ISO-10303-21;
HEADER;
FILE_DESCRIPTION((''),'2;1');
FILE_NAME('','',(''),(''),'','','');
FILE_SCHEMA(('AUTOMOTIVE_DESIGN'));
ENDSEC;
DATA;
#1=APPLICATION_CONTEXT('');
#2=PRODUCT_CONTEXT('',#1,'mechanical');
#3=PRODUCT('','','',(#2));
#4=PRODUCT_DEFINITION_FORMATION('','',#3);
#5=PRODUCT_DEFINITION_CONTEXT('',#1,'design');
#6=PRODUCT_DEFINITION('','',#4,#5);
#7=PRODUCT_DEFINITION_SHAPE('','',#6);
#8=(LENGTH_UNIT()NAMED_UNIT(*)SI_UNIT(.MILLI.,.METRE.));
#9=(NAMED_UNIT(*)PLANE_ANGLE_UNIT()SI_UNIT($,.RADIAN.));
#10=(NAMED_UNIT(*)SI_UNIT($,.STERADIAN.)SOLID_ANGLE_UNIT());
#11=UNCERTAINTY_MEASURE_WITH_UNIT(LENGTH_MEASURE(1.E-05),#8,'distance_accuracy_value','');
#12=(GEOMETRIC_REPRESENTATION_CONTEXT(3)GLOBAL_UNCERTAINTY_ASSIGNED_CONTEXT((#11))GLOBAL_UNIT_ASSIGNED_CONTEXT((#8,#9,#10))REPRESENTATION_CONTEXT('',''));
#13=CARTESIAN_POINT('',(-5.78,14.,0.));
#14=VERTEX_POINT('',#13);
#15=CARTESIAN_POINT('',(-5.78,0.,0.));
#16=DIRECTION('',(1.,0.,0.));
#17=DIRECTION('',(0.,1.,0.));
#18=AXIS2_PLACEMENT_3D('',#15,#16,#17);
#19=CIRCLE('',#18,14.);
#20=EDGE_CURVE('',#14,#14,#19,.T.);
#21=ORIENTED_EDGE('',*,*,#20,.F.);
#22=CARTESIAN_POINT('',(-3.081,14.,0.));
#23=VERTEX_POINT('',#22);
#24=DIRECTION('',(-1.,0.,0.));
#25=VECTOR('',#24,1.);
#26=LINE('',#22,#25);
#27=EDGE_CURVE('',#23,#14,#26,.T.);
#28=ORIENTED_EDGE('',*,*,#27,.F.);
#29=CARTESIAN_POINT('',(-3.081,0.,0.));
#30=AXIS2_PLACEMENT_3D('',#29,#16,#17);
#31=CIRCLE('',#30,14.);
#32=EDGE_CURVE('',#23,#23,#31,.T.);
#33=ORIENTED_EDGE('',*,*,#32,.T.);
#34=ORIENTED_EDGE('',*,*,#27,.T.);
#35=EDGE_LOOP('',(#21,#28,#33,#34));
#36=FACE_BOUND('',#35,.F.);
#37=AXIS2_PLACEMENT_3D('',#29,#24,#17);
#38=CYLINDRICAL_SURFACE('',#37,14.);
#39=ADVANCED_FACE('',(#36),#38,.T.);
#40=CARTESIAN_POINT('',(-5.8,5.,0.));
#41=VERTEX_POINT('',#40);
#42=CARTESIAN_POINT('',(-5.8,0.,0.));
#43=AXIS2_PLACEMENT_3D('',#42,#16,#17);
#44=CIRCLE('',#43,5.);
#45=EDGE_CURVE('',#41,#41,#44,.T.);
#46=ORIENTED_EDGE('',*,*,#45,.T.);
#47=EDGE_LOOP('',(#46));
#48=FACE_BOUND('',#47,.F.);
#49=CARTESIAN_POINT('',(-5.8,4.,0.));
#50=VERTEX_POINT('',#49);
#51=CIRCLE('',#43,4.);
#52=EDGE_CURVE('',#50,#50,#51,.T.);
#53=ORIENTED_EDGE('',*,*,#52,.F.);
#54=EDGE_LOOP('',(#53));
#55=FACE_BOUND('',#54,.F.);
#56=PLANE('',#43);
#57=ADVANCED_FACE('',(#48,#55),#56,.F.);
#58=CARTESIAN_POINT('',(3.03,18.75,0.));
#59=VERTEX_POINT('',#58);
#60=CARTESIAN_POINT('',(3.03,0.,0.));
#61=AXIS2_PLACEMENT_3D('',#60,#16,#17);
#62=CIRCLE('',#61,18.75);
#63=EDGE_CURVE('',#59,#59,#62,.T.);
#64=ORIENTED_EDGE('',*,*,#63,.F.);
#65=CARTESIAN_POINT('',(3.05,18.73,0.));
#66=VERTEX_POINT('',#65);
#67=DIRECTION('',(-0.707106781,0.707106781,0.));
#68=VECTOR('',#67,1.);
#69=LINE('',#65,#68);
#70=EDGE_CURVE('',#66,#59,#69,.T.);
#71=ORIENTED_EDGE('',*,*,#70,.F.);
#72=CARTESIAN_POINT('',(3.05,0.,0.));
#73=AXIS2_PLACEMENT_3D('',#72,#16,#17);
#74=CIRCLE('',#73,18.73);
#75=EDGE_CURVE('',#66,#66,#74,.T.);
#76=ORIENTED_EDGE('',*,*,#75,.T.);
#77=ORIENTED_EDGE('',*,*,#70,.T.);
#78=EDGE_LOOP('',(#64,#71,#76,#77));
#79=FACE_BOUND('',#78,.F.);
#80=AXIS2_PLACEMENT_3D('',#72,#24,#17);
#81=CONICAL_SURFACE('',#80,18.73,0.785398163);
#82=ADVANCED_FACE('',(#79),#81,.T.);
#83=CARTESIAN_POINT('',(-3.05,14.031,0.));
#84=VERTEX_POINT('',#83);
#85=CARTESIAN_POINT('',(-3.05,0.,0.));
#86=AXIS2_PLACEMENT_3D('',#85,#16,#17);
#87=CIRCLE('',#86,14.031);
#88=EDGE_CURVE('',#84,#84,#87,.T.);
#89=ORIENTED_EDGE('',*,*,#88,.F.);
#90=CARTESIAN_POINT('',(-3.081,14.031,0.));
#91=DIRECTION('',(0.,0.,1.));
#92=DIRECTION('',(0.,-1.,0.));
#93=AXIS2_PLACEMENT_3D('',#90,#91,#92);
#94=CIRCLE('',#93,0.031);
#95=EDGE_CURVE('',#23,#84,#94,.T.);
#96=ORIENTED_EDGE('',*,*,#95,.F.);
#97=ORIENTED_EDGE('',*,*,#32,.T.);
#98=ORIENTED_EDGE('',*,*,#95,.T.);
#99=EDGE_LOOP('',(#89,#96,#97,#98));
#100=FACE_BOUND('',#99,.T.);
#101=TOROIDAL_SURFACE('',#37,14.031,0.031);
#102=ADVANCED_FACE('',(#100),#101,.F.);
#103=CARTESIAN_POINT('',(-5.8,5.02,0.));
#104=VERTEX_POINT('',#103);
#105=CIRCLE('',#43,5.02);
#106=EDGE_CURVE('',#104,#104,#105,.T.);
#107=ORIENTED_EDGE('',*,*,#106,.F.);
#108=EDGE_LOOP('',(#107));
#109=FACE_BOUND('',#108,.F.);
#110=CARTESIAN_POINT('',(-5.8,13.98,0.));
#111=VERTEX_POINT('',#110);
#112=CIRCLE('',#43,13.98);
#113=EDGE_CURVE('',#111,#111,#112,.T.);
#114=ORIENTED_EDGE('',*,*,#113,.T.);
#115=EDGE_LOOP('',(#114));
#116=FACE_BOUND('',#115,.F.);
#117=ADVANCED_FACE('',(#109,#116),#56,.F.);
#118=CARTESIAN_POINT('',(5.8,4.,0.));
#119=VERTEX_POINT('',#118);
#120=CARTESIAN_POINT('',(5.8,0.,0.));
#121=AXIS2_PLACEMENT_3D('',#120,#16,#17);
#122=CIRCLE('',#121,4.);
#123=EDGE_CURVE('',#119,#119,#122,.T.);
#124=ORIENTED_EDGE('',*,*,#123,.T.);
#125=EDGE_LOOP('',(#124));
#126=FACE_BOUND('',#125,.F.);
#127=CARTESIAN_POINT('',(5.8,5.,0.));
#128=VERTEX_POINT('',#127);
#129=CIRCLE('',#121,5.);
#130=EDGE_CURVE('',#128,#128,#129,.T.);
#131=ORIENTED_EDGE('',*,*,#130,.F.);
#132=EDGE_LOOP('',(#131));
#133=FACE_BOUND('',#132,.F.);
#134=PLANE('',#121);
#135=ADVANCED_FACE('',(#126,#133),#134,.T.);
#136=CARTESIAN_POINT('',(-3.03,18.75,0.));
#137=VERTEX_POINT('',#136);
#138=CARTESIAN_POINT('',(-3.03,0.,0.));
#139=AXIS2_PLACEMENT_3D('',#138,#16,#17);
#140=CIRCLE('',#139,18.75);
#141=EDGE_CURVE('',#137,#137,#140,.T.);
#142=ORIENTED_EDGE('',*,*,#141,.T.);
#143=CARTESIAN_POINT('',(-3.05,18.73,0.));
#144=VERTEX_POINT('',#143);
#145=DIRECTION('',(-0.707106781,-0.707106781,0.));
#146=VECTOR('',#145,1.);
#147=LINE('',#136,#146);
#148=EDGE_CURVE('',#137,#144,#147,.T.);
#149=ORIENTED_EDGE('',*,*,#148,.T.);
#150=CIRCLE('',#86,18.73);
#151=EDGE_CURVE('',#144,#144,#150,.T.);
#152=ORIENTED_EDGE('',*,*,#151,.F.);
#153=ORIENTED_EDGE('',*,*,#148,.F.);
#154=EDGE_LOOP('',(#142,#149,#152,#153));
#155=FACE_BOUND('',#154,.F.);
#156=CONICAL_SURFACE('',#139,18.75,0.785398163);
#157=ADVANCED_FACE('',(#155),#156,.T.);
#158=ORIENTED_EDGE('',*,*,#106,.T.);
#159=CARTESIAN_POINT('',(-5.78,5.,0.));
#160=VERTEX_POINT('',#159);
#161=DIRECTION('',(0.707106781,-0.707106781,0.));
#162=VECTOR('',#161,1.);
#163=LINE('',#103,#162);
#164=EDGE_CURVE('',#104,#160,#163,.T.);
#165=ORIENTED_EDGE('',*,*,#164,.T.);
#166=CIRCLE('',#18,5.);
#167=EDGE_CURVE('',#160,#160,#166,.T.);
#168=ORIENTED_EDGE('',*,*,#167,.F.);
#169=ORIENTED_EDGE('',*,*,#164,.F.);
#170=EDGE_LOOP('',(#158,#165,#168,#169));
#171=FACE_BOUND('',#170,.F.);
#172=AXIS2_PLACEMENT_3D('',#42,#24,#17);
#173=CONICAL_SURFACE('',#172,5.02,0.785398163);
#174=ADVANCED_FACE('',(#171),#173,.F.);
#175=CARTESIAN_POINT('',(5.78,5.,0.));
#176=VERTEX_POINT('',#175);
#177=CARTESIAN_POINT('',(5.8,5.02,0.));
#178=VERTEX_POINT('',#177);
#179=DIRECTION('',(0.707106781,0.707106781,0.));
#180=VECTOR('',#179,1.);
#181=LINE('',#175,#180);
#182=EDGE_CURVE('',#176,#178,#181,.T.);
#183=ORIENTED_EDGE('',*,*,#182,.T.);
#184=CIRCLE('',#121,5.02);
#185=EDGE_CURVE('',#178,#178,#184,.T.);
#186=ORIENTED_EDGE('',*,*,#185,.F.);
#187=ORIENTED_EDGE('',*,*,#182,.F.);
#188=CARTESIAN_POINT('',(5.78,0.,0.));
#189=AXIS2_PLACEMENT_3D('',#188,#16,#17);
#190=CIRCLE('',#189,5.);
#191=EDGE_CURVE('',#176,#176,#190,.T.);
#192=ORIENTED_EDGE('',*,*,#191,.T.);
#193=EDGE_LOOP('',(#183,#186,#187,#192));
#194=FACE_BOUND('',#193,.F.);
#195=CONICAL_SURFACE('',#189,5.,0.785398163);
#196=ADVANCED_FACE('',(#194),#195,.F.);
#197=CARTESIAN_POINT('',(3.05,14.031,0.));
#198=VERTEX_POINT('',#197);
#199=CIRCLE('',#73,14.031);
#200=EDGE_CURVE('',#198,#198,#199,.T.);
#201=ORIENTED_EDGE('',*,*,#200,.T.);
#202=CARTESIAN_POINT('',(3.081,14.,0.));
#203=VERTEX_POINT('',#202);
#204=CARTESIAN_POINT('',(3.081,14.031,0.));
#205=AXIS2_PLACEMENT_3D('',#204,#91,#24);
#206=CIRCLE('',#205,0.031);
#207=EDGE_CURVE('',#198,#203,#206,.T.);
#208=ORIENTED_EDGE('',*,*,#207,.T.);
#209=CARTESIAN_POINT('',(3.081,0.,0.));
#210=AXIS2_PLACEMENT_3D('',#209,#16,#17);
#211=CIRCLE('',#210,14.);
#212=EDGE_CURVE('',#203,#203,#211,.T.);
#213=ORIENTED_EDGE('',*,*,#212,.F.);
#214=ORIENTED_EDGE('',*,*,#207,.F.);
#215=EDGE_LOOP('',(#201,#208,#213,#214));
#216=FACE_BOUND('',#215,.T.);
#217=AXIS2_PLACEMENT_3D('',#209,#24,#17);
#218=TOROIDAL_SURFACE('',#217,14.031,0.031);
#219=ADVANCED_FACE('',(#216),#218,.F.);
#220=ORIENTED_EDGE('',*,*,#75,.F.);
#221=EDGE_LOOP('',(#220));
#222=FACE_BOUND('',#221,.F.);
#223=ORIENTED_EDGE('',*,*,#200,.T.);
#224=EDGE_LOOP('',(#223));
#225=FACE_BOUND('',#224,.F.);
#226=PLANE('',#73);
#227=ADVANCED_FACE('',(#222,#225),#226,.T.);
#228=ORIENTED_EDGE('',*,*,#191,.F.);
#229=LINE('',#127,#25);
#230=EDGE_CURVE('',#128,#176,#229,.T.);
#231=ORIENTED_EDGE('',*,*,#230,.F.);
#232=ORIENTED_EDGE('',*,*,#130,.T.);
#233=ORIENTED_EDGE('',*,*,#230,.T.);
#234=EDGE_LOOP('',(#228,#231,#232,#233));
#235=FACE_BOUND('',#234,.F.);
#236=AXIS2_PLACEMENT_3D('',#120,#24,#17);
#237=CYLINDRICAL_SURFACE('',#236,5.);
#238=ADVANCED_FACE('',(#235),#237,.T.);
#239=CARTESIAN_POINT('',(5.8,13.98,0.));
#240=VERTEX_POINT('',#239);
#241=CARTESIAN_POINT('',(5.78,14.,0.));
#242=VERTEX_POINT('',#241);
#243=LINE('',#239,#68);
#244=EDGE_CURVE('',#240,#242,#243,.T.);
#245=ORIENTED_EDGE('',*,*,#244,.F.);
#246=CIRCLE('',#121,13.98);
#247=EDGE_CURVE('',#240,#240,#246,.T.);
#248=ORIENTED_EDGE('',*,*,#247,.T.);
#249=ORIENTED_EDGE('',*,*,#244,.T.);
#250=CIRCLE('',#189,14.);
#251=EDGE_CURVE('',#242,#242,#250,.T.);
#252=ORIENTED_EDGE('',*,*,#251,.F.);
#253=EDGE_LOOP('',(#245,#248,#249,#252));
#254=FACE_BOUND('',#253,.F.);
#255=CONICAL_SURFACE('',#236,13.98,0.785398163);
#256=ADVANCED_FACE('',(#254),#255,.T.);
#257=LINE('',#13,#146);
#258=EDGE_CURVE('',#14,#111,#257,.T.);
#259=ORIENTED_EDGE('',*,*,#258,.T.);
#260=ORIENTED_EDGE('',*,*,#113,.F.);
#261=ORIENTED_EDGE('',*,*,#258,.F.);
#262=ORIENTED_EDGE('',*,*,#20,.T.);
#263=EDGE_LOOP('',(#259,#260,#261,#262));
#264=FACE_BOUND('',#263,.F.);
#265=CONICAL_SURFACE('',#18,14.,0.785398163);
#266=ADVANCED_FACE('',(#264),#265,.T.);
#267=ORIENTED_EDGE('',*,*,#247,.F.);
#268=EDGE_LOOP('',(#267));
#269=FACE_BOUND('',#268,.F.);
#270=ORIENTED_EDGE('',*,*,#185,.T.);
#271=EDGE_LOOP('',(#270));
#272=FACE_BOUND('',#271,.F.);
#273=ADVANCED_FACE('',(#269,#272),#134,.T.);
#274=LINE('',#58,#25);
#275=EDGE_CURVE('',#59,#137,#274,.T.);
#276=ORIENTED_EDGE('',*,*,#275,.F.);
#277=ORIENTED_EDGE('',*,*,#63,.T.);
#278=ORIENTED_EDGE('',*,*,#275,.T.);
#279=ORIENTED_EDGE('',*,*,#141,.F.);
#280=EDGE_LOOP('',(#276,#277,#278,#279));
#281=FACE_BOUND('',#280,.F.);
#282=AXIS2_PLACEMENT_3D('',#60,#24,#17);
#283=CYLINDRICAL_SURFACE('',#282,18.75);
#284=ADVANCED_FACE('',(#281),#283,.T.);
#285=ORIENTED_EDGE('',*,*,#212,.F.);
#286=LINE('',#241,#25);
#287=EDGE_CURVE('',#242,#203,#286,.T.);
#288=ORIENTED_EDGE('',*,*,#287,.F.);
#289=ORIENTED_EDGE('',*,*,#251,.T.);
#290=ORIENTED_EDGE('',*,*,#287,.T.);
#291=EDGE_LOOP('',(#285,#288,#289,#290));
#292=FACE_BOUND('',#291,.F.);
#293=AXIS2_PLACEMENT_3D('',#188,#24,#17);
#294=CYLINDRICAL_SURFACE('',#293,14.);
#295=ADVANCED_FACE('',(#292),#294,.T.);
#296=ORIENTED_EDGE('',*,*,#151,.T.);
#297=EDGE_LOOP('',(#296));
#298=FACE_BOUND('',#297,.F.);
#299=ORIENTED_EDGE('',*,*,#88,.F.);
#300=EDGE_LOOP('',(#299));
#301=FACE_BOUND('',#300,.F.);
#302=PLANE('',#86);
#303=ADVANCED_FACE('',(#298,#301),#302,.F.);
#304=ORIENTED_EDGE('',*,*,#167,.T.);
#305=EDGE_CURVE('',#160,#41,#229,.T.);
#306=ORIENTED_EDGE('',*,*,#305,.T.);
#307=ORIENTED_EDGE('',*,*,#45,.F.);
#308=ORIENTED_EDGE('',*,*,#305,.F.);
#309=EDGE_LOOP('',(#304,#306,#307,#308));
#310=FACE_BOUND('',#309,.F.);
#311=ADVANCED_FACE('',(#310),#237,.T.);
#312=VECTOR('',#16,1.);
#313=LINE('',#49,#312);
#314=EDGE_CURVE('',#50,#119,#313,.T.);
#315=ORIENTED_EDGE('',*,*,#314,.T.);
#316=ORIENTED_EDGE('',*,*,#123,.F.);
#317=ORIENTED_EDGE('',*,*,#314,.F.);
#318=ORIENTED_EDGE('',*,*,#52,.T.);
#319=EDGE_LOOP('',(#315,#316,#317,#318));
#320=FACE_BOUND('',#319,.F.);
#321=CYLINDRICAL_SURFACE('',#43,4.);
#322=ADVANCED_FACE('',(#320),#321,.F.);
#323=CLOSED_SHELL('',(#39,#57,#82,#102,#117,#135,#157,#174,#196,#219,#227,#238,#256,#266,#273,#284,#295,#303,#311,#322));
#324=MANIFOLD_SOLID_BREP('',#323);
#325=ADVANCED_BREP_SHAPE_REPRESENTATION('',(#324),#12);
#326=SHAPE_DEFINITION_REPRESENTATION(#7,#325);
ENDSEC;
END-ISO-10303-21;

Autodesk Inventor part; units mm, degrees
sketch "Sketch_1" plane through (0, 0, 0) normal (0, 0, 1) x (1, 0, 0)
  line L0 (5.8, 0) -> (-5.8, 0)
  line L1 (-5.8, 5.02) -> (-5.78, 5)
  line L2 (-5.78, 5) -> (5.78, 5)
  line L3 (5.78, 5) -> (5.8, 5.02)
  line L4 (5.8, 5.02) -> (5.8, 13.98)
  line L5 (5.8, 13.98) -> (5.78, 14)
  line L6 (5.78, 14) -> (3.081, 14)
  arc A0 (3.05, 14.031) -> (3.081, 14) centre (3.081, 14.031) ccw
  line L7 (3.05, 14.031) -> (3.05, 18.73)
  line L8 (3.05, 18.73) -> (3.03, 18.75)
  line L9 (3.03, 18.75) -> (-3.03, 18.75)
  line L10 (-3.03, 18.75) -> (-3.05, 18.73)
  line L11 (-3.05, 18.73) -> (-3.05, 14.031)
  arc A1 (-3.081, 14) -> (-3.05, 14.031) centre (-3.081, 14.031) ccw
  line L12 (-3.081, 14) -> (-5.78, 14)
  line L13 (-5.78, 14) -> (-5.8, 13.98)
  line L14 (-5.8, 13.98) -> (-5.8, 5.02)
revolve "Revolution1" add sketch "Sketch_1" angle 360 about axis through (5.8, 0, 0) along (1, 0, 0)
sketch "Sketch_2" plane through (0, 0, 0) normal (0, 0, 1) x (1, 0, 0)
  line L0 (5.8, 0) -> (-5.8, 0)
  line L1 (-5.8, 5) -> (-5.8, 4)
  line L2 (-5.8, 4) -> (5.8, 4)
  line L3 (5.8, 4) -> (5.8, 5)
  line L4 (5.8, 5) -> (-5.8, 5)
revolve "Revolution2" add sketch "Sketch_2" angle 360 about axis through (5.8, 0, 0) along (1, 0, 0)
ref_plane "to_bolt_XY" through (5.8, 0, 0) normal (1, 0, 0) x (0, 0, -1)
ref_plane "to_bolt_YZ" through (5.8, 0, 0) normal (0, 0, -1) x (0, 1, 0)
ref_plane "to_bolt_ZX" through (5.8, 0, 0) normal (0, 1, 0) x (1, 0, 0)
ref_plane "wheel_XY" through (0, 0, 0) normal (1, 0, 0) x (0, 0, -1)
ref_plane "wheel_YZ" through (0, 0, 0) normal (0, 0, -1) x (0, 1, 0)
ref_plane "wheel_ZX" through (0, 0, 0) normal (0, 1, 0) x (1, 0, 0)
properties part number "25-2281_w"
